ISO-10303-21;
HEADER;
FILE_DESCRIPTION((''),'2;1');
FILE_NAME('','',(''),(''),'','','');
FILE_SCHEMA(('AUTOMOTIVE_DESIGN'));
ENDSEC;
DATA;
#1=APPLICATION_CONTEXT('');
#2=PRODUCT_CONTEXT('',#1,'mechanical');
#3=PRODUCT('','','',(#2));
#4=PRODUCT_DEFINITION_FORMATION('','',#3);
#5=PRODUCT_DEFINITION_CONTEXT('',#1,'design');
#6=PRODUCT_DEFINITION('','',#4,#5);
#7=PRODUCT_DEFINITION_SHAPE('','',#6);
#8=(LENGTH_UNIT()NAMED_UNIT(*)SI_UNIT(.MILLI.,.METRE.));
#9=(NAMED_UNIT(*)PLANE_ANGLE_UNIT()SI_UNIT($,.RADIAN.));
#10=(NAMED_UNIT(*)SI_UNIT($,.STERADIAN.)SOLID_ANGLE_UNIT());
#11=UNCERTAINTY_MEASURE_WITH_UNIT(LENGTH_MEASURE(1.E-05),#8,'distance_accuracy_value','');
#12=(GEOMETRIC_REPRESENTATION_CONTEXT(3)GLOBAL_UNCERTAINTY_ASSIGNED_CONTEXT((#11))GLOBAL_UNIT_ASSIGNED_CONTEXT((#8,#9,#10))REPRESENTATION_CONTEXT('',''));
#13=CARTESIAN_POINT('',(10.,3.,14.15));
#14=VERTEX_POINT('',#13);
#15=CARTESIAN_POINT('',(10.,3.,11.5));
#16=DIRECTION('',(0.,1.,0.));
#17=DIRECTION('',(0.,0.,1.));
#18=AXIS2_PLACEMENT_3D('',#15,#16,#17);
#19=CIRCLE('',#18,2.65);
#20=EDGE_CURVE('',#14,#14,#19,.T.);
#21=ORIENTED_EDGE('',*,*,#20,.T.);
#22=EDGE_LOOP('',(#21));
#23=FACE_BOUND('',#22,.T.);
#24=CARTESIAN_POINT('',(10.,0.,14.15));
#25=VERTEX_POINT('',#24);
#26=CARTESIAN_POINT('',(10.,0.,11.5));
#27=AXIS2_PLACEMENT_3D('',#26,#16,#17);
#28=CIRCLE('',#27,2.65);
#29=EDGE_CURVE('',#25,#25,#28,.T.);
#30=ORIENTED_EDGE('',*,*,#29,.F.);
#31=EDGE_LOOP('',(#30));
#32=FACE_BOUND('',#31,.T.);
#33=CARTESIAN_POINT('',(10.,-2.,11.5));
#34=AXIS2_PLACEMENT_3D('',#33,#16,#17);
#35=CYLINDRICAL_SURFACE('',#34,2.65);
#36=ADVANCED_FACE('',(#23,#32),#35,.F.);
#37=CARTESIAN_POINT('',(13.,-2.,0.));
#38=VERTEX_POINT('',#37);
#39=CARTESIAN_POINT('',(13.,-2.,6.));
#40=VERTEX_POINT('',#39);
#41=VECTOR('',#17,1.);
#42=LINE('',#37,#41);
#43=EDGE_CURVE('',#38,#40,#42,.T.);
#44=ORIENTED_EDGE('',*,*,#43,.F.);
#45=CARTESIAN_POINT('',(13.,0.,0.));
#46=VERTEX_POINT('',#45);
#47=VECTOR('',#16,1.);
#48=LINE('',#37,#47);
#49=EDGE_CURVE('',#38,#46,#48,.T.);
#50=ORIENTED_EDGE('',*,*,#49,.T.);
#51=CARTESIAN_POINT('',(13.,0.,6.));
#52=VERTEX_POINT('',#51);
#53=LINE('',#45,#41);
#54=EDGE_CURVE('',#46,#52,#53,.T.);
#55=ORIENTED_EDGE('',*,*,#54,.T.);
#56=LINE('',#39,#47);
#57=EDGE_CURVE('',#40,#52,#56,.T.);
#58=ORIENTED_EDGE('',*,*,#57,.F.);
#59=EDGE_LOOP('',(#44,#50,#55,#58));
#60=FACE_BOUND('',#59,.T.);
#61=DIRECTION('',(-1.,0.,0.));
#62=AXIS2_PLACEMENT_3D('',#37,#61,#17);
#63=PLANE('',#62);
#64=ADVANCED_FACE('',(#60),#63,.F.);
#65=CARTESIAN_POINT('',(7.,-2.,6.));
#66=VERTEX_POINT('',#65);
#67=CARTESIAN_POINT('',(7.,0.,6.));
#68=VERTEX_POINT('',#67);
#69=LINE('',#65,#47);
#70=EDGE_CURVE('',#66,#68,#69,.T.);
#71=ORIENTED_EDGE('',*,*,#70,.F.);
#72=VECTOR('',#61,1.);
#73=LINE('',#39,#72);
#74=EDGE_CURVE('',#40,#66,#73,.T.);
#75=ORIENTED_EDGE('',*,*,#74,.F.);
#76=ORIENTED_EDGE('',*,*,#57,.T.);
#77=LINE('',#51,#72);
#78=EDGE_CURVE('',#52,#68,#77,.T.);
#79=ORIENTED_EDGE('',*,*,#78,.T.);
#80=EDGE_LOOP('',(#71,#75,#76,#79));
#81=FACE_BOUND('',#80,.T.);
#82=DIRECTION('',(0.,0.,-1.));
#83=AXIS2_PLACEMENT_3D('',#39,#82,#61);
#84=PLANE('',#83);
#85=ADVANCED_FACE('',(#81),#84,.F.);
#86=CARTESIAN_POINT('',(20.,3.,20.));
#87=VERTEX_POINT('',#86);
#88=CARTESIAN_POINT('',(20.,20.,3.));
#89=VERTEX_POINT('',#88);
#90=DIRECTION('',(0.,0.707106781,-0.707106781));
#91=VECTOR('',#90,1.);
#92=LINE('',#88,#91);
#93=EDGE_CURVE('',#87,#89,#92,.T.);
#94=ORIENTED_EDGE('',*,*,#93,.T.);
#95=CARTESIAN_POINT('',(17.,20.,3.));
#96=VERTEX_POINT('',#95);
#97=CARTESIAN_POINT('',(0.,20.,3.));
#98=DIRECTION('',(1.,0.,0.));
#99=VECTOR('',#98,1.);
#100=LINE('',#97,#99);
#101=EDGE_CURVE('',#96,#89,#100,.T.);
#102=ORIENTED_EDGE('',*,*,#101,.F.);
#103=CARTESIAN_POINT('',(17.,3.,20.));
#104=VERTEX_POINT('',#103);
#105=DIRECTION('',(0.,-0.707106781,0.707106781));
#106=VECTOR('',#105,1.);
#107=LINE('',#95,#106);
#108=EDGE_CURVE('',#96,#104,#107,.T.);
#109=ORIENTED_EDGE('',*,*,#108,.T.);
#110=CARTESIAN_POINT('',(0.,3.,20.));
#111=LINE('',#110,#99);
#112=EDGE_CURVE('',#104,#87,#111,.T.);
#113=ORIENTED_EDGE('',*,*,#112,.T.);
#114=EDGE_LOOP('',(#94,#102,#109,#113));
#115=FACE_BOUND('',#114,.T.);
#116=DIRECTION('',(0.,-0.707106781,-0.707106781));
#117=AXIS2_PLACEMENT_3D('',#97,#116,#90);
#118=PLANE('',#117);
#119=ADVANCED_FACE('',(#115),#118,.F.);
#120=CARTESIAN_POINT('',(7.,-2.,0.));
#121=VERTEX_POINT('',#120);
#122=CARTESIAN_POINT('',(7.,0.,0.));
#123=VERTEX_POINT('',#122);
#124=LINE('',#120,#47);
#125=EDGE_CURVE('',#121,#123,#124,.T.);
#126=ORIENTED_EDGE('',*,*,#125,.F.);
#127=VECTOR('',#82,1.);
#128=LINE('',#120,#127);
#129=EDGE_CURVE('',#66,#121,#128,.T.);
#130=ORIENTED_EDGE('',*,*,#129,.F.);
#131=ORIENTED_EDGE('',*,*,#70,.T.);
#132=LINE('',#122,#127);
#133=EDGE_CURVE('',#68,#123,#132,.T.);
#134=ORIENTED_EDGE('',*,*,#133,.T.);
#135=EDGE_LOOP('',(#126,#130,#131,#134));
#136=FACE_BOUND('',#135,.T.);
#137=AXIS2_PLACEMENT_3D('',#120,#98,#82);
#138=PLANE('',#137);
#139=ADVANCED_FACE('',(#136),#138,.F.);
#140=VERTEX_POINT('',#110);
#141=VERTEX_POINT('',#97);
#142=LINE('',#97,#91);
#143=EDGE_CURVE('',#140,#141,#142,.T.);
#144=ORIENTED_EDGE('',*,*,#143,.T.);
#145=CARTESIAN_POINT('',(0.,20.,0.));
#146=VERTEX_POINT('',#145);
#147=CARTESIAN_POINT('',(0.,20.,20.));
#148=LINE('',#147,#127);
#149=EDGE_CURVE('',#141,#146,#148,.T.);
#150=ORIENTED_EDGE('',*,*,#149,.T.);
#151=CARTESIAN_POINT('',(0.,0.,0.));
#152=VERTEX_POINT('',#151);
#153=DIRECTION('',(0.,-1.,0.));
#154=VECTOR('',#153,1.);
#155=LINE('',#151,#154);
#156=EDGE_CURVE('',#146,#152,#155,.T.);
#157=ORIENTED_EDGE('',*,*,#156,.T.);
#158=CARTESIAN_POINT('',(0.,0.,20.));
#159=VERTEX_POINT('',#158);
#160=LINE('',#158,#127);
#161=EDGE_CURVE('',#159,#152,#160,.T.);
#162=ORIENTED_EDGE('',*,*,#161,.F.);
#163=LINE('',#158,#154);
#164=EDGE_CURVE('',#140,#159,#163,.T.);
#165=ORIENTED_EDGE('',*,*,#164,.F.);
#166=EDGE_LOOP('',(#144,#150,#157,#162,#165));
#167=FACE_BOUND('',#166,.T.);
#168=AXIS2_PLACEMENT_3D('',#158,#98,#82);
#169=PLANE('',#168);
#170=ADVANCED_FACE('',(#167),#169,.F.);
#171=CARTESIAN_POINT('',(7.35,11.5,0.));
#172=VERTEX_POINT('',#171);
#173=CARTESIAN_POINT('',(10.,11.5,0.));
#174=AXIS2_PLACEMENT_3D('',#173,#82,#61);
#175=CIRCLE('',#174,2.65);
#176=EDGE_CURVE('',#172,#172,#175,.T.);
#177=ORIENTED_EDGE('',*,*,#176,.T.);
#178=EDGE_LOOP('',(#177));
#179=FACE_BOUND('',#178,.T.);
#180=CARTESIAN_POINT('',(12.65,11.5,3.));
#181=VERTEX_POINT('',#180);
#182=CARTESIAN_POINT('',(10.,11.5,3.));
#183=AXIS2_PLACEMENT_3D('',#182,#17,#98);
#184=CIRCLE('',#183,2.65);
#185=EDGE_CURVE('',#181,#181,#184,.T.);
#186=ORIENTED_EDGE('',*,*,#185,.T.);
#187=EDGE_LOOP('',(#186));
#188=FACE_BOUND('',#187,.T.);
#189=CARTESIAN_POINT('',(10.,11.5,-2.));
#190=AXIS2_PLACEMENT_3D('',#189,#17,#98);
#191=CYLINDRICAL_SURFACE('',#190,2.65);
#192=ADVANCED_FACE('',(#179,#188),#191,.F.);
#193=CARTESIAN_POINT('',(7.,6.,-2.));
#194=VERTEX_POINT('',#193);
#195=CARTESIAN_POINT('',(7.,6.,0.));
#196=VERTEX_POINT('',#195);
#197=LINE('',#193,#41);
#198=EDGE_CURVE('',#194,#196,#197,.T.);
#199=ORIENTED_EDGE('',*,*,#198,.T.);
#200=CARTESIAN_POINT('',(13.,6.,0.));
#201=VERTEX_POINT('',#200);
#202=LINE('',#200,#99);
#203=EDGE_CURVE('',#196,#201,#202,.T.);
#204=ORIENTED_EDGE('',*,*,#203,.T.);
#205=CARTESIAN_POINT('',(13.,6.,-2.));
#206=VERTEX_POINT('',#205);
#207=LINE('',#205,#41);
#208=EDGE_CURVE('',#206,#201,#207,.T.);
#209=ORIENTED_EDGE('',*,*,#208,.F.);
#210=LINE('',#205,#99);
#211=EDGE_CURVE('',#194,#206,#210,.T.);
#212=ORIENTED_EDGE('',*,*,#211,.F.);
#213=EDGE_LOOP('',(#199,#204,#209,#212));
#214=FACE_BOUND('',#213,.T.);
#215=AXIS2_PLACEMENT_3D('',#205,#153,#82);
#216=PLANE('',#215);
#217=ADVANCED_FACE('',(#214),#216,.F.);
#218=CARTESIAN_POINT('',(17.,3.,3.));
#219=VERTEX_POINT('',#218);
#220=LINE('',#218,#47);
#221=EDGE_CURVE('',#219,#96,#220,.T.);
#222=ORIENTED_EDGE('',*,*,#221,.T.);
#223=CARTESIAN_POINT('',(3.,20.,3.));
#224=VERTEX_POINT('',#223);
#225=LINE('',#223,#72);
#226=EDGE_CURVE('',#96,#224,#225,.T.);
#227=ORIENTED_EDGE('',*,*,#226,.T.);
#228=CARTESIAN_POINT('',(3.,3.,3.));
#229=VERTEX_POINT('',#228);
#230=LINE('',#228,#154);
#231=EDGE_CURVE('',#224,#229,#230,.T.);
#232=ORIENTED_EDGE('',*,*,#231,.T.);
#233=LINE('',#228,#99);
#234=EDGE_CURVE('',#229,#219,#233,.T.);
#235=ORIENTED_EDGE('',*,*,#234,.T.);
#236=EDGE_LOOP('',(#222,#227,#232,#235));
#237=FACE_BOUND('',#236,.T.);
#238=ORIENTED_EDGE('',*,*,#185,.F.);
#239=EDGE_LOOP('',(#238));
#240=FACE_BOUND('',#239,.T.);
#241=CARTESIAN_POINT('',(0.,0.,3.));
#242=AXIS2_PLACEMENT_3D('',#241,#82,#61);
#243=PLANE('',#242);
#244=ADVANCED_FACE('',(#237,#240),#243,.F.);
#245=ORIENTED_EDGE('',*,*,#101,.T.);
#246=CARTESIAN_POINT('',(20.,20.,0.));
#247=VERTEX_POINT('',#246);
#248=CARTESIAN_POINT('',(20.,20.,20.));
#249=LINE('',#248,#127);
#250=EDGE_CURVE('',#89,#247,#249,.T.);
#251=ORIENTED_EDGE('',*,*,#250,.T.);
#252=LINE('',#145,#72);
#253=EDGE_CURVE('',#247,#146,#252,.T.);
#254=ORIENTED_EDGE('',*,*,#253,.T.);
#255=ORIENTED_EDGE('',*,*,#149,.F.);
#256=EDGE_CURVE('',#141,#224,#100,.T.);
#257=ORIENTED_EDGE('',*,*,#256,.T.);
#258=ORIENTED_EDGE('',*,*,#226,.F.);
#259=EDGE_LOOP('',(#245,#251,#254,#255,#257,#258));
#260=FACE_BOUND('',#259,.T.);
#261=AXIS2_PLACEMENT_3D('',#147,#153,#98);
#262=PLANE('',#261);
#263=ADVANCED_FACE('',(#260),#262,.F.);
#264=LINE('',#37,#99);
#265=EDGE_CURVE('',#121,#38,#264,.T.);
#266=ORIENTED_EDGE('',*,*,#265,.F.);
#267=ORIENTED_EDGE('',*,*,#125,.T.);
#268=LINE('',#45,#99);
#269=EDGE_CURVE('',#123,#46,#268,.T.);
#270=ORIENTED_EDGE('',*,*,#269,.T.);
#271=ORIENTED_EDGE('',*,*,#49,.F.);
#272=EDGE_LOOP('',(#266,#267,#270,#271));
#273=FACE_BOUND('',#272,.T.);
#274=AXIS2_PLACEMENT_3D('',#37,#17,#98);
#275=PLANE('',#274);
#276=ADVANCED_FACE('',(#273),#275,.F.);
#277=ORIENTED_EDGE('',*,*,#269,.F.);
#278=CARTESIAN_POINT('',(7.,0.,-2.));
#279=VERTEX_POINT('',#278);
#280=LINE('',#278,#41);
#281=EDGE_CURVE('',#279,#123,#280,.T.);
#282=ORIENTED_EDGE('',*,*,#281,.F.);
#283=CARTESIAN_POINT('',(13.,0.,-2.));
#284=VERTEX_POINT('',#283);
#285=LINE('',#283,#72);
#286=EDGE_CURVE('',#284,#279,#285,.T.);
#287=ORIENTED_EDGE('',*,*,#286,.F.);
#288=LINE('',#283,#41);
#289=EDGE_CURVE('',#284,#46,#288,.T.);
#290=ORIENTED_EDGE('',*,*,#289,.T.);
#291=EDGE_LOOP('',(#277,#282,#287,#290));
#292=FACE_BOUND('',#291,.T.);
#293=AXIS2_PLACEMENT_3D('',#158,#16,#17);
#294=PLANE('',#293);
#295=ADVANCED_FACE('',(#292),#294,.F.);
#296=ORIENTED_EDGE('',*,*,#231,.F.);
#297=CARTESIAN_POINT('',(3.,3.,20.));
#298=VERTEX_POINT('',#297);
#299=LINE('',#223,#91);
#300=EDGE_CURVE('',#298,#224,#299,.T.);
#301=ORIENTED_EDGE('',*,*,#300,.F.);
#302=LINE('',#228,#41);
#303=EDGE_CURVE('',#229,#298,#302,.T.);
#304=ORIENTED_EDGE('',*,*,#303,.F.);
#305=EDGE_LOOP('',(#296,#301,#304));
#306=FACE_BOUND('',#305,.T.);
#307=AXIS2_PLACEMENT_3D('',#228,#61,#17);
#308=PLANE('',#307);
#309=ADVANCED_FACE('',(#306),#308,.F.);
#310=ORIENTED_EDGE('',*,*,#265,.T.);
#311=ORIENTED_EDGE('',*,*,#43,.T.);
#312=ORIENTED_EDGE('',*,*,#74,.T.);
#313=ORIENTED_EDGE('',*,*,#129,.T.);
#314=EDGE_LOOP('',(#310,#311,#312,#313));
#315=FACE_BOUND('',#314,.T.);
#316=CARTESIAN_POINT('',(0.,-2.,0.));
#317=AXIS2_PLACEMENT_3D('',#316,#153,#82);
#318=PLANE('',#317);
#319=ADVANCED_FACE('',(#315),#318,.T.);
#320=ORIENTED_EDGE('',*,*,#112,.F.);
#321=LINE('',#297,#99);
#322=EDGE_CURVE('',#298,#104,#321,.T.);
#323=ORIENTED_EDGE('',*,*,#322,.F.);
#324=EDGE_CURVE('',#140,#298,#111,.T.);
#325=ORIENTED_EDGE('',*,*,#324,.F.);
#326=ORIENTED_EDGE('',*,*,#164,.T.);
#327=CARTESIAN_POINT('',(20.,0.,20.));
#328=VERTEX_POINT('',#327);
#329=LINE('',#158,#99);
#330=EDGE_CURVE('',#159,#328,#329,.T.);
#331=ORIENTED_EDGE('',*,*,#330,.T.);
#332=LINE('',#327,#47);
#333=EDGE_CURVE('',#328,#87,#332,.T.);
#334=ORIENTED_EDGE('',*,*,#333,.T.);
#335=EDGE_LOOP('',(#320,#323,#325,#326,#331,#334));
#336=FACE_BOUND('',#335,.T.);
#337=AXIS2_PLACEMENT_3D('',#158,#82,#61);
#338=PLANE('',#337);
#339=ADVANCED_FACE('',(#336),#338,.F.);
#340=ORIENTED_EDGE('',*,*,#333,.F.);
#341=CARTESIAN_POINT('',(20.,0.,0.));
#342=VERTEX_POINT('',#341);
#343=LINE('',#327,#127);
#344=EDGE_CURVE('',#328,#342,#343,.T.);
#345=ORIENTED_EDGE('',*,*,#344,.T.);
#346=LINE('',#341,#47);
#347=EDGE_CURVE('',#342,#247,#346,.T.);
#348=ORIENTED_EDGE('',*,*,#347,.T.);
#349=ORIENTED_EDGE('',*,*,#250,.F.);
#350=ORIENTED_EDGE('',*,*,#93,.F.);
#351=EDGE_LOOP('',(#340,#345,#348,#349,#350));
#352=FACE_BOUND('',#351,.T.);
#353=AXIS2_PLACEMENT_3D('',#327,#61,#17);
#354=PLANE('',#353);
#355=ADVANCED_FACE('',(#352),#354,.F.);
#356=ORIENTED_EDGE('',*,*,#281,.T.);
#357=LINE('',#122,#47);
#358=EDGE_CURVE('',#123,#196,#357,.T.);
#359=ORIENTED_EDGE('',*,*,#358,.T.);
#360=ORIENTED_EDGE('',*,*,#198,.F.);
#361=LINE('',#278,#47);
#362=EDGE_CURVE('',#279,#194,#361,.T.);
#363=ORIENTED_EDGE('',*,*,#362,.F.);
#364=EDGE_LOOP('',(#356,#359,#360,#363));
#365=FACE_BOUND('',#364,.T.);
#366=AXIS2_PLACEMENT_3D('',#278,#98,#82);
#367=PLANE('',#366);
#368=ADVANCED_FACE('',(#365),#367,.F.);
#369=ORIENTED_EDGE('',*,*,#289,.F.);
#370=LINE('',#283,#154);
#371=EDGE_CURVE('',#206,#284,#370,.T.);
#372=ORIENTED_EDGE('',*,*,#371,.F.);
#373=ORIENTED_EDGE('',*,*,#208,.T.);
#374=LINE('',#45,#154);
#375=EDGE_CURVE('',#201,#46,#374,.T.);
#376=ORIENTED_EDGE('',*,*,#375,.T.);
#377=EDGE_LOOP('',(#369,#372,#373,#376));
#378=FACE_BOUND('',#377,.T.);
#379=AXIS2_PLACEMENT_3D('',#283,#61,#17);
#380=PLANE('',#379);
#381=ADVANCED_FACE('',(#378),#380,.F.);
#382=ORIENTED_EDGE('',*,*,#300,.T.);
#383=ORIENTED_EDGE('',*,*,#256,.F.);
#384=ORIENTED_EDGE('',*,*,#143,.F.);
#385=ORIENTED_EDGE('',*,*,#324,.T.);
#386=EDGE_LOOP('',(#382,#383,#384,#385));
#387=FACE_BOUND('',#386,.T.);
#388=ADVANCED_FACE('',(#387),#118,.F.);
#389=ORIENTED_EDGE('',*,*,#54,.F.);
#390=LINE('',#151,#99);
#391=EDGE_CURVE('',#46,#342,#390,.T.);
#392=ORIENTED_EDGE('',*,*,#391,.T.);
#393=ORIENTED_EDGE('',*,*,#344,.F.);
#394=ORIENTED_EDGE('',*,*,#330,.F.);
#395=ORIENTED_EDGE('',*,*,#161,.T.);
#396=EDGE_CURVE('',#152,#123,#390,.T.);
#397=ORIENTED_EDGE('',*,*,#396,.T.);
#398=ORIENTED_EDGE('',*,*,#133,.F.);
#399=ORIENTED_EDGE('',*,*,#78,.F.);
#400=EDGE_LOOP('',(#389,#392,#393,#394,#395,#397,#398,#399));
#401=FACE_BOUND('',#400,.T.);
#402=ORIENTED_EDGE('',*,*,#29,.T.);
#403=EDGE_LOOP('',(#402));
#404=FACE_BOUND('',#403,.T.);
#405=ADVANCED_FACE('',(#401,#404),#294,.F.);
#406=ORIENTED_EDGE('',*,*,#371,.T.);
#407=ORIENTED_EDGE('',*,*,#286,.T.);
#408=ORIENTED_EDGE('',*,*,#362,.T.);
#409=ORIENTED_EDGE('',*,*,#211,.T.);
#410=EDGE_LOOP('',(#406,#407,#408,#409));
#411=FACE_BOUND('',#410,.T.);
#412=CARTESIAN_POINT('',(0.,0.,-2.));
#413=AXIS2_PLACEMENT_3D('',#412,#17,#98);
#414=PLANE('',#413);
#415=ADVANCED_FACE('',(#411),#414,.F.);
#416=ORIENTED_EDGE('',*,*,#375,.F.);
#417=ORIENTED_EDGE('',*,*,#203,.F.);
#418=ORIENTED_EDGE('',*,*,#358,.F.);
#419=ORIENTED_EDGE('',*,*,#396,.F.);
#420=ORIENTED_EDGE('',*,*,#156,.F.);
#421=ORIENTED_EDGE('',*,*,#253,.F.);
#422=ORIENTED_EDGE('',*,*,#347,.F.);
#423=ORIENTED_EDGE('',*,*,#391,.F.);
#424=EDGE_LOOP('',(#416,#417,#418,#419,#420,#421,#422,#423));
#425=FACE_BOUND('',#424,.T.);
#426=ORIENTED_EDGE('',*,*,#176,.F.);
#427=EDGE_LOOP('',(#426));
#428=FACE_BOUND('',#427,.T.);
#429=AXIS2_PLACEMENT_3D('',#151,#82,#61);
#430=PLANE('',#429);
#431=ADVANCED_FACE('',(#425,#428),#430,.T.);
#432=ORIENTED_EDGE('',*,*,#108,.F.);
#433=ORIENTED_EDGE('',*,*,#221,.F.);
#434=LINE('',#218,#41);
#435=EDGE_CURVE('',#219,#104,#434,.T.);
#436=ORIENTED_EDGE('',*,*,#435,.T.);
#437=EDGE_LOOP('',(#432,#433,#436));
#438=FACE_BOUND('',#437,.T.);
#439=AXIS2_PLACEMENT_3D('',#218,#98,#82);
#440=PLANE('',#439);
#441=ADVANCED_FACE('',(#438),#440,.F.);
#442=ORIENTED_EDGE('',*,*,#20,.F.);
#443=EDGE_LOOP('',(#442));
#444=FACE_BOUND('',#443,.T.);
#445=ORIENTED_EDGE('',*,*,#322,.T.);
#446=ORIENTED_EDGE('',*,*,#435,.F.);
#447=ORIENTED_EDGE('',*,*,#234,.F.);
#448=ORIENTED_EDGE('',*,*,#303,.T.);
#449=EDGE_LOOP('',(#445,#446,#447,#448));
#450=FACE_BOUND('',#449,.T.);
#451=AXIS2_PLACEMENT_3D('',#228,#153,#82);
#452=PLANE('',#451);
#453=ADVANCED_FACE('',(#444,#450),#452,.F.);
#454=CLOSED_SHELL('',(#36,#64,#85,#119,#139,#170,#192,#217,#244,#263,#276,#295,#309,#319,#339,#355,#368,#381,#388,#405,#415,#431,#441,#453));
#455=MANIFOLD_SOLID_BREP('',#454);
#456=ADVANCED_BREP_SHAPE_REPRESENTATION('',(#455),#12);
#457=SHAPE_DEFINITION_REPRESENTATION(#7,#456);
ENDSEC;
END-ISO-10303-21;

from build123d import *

# Parameters (mm, degrees)
ESBO_O1_W                = 20
ESBO_O1_H                = 20
RESSALTO_EXTRUS_O1_DEPTH = 20
CORTE_EXTRUS_O1_DEPTH    = 21
ESBO_O3_W                = 14
ESBO_O3_H                = 17
CORTE_EXTRUS_O2_DEPTH    = 17
ESBO_O4_W                = 6
ESBO_O4_H                = 6
RESSALTO_EXTRUS_O2_DEPTH = 2
ESBO_O5_W                = 6
ESBO_O5_H                = 6
RESSALTO_EXTRUS_O3_DEPTH = 2
ESBO_O6_R                = 2.65
CORTE_EXTRUS_O3_DEPTH    = 6
ESBO_O7_R                = 2.65
CORTE_EXTRUS_O4_DEPTH    = 6


with BuildPart() as part:
    # Esboço1 → Ressalto-extrusão1 (new body)
    with BuildSketch(Plane.XY):
        with Locations((10, 10)):
            Rectangle(ESBO_O1_W, ESBO_O1_H)
    extrude(amount=RESSALTO_EXTRUS_O1_DEPTH)

    # Esboço2 → Corte-extrusão1 (cut, through all)
    with BuildSketch(Plane(origin=(20, 0, 0), x_dir=(0, 0, -1), z_dir=(1, 0, 0))):
        Polygon((-3, 20), (-20, 3), (-20, 20), align=None)
    extrude(amount=-CORTE_EXTRUS_O1_DEPTH, mode=Mode.SUBTRACT)

    # Esboço3 → Corte-extrusão2 (cut)
    with BuildSketch(Plane.XY.offset(20)):
        with Locations((10, 11.5)):
            Rectangle(ESBO_O3_W, ESBO_O3_H)
    extrude(amount=-CORTE_EXTRUS_O2_DEPTH, mode=Mode.SUBTRACT)

    # Esboço4 → Ressalto-extrusão2 (add)
    with BuildSketch(Plane(origin=(0, 0, 0), x_dir=(-1, 0, 0), z_dir=(0, 0, -1))):
        with Locations((-10, 3)):
            Rectangle(ESBO_O4_W, ESBO_O4_H)
    extrude(amount=RESSALTO_EXTRUS_O2_DEPTH)

    # Esboço5 → Ressalto-extrusão3 (add)
    with BuildSketch(Plane.XZ):
        with Locations((10, 3)):
            Rectangle(ESBO_O5_W, ESBO_O5_H)
    extrude(amount=RESSALTO_EXTRUS_O3_DEPTH)

    # Esboço6 → Corte-extrusão3 (cut, through all)
    with BuildSketch(Plane.XY.offset(3)):
        with Locations((10, 11.5)):
            Circle(ESBO_O6_R)
    extrude(amount=-CORTE_EXTRUS_O3_DEPTH, mode=Mode.SUBTRACT)

    # Esboço7 → Corte-extrusão4 (cut, through all)
    with BuildSketch(Plane(origin=(0, 3, 0), x_dir=(1, 0, 0), z_dir=(0, 1, 0))):
        with Locations((10, -11.5)):
            Circle(ESBO_O7_R)
    extrude(amount=-CORTE_EXTRUS_O4_DEPTH, mode=Mode.SUBTRACT)


solid = part.part
